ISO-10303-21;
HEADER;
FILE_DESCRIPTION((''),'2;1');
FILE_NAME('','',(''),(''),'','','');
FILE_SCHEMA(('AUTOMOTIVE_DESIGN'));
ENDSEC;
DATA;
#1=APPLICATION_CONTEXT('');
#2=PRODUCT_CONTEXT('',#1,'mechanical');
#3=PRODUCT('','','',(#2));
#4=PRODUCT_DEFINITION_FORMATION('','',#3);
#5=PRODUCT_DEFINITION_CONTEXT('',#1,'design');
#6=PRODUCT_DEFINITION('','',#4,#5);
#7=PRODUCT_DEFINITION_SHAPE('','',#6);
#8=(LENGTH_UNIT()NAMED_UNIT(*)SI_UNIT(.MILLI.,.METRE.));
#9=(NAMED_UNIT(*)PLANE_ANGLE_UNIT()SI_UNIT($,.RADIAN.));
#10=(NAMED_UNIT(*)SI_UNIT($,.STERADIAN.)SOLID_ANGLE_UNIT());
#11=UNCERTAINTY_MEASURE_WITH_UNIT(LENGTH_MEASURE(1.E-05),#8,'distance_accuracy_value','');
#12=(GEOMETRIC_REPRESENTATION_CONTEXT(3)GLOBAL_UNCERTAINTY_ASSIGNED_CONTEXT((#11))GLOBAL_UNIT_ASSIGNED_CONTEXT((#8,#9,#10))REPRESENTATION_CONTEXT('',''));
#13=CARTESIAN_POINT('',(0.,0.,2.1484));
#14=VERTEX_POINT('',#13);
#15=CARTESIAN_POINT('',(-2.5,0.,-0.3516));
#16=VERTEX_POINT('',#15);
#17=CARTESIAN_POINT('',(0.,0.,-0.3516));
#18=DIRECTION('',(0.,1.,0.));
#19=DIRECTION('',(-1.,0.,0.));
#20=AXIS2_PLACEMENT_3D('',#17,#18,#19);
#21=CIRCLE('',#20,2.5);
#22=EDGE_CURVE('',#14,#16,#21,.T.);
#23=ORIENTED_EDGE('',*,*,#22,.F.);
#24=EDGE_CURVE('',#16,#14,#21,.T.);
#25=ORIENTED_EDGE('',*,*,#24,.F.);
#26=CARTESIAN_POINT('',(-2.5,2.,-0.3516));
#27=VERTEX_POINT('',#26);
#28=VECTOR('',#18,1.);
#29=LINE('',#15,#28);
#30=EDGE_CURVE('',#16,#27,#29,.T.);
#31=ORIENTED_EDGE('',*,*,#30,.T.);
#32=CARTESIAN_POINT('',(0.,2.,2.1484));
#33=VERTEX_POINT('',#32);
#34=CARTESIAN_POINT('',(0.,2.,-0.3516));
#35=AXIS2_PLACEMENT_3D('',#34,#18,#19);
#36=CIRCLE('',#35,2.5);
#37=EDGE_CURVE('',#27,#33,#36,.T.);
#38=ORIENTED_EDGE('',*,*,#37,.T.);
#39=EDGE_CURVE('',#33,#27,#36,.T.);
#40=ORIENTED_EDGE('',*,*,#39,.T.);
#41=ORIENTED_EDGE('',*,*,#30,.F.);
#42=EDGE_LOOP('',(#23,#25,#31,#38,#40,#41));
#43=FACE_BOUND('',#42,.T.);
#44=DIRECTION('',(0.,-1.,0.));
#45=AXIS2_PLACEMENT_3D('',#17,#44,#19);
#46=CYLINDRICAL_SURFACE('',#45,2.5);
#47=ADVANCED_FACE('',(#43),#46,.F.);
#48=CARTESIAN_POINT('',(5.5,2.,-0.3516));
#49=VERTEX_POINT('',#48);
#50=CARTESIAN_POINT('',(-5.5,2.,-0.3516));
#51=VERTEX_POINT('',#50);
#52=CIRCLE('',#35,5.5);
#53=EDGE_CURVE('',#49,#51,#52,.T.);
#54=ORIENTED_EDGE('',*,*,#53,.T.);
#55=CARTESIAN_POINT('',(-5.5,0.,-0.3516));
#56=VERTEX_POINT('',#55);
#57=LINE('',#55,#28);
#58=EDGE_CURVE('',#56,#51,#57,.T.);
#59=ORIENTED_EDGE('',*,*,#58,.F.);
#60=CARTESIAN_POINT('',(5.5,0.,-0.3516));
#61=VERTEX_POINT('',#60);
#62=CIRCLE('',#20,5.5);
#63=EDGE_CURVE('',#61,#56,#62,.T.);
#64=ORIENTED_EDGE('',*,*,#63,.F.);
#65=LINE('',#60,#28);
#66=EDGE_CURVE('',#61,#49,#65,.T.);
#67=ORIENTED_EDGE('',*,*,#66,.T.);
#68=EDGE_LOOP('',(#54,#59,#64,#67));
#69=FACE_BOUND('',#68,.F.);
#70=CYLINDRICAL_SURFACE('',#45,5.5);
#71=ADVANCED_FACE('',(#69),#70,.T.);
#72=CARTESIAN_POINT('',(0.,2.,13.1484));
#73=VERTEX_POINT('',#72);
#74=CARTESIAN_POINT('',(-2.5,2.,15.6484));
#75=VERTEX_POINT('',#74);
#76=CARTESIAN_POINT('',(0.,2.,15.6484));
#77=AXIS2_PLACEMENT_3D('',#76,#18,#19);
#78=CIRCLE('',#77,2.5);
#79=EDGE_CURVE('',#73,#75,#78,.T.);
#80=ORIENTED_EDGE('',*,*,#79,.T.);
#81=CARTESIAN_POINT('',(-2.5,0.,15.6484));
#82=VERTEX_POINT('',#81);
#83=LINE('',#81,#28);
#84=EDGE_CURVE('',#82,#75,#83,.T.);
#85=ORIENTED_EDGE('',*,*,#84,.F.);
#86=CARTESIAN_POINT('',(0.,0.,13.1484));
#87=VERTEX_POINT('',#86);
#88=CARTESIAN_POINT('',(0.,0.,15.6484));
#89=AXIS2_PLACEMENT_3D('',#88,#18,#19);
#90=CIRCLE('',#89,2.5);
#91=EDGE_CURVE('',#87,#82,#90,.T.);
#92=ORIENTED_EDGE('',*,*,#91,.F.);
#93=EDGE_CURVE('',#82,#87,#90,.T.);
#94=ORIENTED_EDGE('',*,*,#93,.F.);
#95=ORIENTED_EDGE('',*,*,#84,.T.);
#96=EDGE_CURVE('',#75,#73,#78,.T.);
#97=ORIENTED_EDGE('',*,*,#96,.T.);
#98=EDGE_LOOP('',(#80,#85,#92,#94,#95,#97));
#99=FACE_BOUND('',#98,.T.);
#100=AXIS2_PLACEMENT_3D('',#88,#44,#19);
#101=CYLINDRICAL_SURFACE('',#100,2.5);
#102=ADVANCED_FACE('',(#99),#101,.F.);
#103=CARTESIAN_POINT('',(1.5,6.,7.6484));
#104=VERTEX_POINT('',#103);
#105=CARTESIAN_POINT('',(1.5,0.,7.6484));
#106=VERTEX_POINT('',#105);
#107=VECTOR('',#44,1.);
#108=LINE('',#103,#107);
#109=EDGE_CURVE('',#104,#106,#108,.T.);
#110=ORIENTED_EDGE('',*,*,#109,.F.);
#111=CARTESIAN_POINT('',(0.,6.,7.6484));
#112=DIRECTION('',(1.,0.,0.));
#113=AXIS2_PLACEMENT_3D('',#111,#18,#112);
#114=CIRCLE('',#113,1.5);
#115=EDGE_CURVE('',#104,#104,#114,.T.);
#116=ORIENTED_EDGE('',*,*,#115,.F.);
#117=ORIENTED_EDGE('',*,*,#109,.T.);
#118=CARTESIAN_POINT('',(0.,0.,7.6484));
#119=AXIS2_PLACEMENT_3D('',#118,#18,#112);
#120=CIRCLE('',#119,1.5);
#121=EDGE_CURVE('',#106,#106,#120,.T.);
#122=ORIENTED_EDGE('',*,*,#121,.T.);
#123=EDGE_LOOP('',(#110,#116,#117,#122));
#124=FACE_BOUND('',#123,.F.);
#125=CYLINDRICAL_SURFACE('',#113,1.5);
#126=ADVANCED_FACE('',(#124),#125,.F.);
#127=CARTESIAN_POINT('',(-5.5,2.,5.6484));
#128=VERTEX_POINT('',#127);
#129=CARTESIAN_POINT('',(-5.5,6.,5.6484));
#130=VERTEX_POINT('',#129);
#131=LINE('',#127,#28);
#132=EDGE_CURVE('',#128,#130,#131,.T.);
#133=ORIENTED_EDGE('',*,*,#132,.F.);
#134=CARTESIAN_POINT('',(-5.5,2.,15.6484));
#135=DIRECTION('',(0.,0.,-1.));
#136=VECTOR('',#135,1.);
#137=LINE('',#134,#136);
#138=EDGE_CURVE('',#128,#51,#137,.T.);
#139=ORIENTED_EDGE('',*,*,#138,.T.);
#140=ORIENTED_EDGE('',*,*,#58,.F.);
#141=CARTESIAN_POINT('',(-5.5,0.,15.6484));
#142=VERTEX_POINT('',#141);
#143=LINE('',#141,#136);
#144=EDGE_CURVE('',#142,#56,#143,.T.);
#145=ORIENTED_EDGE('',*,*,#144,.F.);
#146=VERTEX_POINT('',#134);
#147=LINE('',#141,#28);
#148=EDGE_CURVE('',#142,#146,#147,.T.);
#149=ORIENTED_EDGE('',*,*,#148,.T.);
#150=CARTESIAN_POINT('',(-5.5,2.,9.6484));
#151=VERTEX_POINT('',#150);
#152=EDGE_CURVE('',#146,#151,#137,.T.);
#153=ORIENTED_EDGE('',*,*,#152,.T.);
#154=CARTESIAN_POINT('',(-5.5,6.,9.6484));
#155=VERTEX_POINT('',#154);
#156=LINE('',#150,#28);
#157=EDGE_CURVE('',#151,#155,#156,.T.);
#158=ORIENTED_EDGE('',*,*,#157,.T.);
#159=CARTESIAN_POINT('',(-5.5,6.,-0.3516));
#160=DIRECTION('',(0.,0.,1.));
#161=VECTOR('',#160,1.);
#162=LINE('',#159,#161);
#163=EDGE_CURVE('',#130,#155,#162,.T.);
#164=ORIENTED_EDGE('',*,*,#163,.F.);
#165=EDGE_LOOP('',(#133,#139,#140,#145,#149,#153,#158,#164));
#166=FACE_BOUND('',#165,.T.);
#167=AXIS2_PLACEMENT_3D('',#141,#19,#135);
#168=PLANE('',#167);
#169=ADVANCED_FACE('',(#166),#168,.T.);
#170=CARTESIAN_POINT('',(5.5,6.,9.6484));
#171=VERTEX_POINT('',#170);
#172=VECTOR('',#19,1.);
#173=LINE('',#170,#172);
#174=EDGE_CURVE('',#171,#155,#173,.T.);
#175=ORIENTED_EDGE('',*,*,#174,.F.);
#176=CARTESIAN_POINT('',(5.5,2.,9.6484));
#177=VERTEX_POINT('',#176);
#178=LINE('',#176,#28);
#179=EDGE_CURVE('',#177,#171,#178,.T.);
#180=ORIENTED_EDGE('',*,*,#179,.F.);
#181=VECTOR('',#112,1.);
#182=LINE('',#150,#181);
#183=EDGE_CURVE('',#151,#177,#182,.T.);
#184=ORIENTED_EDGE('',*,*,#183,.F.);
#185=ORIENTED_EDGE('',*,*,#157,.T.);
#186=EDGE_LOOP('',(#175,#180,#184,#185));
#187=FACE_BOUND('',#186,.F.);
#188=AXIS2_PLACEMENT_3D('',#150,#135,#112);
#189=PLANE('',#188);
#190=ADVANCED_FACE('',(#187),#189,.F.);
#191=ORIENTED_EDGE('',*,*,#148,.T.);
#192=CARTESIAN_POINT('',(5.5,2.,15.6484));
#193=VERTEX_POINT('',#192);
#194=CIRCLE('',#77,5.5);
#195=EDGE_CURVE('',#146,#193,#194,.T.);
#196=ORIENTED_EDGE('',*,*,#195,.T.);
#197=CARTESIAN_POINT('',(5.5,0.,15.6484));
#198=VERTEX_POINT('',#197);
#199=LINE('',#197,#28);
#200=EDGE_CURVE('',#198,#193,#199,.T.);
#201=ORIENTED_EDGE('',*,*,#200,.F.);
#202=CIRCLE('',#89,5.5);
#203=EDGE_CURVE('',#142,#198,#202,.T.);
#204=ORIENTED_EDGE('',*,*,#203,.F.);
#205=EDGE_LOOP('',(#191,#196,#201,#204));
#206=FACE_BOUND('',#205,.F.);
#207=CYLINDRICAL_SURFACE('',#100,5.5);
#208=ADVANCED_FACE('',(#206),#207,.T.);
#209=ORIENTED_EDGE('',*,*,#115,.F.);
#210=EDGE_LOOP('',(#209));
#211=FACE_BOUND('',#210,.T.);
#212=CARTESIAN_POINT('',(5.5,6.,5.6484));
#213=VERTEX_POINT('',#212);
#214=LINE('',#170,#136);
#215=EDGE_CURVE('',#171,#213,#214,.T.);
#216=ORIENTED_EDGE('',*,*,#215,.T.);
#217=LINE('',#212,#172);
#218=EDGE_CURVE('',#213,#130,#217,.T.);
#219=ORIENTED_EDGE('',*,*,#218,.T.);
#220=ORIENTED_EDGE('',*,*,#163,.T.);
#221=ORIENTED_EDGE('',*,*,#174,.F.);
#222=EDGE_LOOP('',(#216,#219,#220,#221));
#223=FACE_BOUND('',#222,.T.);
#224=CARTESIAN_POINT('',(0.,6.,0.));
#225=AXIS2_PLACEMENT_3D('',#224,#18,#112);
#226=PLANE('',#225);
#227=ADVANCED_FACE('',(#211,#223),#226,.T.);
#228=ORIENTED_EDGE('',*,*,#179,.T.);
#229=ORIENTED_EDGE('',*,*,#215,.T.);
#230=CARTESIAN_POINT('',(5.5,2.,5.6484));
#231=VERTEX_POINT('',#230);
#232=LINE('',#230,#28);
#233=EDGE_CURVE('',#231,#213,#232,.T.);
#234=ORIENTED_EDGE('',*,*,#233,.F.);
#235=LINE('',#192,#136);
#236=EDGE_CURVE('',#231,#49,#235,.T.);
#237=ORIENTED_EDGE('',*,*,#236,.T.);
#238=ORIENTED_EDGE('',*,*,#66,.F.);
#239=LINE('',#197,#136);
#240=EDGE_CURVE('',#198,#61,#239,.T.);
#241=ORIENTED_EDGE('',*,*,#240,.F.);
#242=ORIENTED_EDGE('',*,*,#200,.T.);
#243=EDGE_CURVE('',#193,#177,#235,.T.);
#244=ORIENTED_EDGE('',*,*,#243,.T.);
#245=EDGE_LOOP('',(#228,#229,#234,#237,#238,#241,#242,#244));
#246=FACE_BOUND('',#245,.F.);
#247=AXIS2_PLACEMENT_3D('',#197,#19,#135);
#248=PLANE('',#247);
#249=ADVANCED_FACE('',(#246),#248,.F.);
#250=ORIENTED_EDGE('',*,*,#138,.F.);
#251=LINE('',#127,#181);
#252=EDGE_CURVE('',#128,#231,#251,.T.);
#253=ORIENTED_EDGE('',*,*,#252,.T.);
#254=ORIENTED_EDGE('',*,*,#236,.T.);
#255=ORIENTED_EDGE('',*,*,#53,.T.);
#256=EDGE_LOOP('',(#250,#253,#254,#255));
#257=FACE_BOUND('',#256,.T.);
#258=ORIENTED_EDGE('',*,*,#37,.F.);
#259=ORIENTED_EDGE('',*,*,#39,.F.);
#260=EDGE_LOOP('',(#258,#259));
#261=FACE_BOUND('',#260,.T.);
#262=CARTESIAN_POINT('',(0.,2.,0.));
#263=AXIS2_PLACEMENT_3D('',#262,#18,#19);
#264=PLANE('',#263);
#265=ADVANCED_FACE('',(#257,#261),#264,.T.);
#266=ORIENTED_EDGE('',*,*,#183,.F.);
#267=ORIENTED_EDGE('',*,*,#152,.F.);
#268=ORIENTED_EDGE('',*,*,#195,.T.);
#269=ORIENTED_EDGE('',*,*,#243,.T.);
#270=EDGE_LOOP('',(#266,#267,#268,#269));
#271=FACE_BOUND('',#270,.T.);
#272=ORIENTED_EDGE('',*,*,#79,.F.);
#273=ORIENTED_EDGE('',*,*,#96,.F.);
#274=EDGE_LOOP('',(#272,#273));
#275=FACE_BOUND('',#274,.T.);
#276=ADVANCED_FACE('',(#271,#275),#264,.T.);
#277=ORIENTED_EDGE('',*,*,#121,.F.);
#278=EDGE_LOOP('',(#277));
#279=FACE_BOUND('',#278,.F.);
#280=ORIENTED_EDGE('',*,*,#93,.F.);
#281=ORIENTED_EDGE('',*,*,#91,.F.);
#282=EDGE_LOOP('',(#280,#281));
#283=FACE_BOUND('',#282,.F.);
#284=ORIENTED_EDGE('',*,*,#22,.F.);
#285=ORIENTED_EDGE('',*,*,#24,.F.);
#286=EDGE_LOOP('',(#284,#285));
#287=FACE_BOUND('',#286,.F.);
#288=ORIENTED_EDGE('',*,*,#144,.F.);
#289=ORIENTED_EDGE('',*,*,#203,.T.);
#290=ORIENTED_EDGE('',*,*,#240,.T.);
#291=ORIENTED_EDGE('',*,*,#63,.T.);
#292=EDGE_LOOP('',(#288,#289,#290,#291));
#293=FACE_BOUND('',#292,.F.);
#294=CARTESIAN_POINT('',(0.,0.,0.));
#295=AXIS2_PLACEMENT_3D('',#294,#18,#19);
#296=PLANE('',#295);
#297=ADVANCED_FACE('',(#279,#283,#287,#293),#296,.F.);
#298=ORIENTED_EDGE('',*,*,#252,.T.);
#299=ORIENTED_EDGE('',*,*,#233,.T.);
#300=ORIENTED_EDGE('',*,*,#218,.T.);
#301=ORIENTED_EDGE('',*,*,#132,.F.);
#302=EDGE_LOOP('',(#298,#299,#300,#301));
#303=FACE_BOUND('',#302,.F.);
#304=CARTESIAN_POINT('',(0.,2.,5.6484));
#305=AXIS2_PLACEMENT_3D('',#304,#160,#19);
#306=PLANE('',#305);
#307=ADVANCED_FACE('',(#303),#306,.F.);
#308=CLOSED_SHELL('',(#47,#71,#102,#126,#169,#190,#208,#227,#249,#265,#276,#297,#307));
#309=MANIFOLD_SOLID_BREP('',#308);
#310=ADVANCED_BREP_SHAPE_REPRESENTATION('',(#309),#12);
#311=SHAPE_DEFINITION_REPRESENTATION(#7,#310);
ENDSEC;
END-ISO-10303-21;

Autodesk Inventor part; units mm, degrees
ref_plane "YZ Plane" through (0, 0, 0) normal (1, 0, 0) x (0, 1, 0)
ref_plane "XZ Plane" through (0, 0, 0) normal (0, 1, 0) x (-1, 0, 0)
ref_plane "XY Plane" through (0, 0, 0) normal (0, 0, 1) x (1, 0, 0)
sketch "Sketch1" plane through (0, 0, 0) normal (0, 1, 0) x (-1, 0, 0)
  circle A0 centre (0, 15.6484) radius 5.5
  line L0 (0, 15.6484) -> (0, -0.3516)
  circle A1 centre (0, -0.3516) radius 5.5
  circle A2 centre (0, 15.6484) radius 2.5
  circle A3 centre (0, -0.3516) radius 2.5
  line L1 (5.5, 15.6484) -> (5.5, -0.3516)
  line L2 (-5.5, 15.6484) -> (-5.5, -0.3516)
  point P0 (0, 0)
  dimension "d0" = 11
  dimension "d1" = 16
  dimension "d2" = 11
  dimension "d3" = 5
  dimension "d4" = 5
extrude "Extrusion1" add sketch "Sketch1" along normal blind 2
sketch "Sketch2" plane through (0, 2, 0) normal (0, 1, 0) x (1, 0, 0)
  circle A0 centre (0, -15.6484) radius 2.5 projected
  line L0 (0, -13.1484) -> (0, -2.1484)
  circle A1 centre (0, 0.3516) radius 2.5 projected
  line L1 (-5.5, 0.3516) -> (-5.5, -15.6484) projected
  line L2 (5.5, -5.6484) -> (-5.5, -5.6484)
  line L3 (-5.5, -5.6484) -> (-5.5, -9.6484)
  line L4 (-5.5, -9.6484) -> (5.5, -9.6484)
  line L5 (5.5, -9.6484) -> (5.5, -5.6484)
  line L6 (5.5, -5.6484) -> (-5.5, -9.6484) construction
  line L7 (-5.5, -5.6484) -> (5.5, -9.6484) construction
  point P0 (0, 0)
  point P1 (0, -7.6484)
  dimension "d7" = 4
extrude "Extrusion2" add sketch "Sketch2" along normal blind 4 contours L4 L1 L2 L0 | L0 L2 L5 L4
sketch "Sketch3" plane through (0, 6, 0) normal (0, 1, 0) x (1, 0, 0)
  line L0 (5.5, -5.6484) -> (-5.5, -5.6484) projected
  line L1 (-5.5, -5.6484) -> (-5.5, -9.6484) projected
  line L2 (-5.5, -9.6484) -> (5.5, -9.6484) projected
  line L3 (5.5, -9.6484) -> (5.5, -5.6484) projected
  circle A0 centre (0, -7.6484) radius 1.5
  point P0 (0, 0)
  point P1 (0, -5.3984)
  dimension "d15" = 3
extrude "Extrusion3" cut sketch "Sketch3" against normal blind 16.6375 contours A0
properties part number "bearing plate"
